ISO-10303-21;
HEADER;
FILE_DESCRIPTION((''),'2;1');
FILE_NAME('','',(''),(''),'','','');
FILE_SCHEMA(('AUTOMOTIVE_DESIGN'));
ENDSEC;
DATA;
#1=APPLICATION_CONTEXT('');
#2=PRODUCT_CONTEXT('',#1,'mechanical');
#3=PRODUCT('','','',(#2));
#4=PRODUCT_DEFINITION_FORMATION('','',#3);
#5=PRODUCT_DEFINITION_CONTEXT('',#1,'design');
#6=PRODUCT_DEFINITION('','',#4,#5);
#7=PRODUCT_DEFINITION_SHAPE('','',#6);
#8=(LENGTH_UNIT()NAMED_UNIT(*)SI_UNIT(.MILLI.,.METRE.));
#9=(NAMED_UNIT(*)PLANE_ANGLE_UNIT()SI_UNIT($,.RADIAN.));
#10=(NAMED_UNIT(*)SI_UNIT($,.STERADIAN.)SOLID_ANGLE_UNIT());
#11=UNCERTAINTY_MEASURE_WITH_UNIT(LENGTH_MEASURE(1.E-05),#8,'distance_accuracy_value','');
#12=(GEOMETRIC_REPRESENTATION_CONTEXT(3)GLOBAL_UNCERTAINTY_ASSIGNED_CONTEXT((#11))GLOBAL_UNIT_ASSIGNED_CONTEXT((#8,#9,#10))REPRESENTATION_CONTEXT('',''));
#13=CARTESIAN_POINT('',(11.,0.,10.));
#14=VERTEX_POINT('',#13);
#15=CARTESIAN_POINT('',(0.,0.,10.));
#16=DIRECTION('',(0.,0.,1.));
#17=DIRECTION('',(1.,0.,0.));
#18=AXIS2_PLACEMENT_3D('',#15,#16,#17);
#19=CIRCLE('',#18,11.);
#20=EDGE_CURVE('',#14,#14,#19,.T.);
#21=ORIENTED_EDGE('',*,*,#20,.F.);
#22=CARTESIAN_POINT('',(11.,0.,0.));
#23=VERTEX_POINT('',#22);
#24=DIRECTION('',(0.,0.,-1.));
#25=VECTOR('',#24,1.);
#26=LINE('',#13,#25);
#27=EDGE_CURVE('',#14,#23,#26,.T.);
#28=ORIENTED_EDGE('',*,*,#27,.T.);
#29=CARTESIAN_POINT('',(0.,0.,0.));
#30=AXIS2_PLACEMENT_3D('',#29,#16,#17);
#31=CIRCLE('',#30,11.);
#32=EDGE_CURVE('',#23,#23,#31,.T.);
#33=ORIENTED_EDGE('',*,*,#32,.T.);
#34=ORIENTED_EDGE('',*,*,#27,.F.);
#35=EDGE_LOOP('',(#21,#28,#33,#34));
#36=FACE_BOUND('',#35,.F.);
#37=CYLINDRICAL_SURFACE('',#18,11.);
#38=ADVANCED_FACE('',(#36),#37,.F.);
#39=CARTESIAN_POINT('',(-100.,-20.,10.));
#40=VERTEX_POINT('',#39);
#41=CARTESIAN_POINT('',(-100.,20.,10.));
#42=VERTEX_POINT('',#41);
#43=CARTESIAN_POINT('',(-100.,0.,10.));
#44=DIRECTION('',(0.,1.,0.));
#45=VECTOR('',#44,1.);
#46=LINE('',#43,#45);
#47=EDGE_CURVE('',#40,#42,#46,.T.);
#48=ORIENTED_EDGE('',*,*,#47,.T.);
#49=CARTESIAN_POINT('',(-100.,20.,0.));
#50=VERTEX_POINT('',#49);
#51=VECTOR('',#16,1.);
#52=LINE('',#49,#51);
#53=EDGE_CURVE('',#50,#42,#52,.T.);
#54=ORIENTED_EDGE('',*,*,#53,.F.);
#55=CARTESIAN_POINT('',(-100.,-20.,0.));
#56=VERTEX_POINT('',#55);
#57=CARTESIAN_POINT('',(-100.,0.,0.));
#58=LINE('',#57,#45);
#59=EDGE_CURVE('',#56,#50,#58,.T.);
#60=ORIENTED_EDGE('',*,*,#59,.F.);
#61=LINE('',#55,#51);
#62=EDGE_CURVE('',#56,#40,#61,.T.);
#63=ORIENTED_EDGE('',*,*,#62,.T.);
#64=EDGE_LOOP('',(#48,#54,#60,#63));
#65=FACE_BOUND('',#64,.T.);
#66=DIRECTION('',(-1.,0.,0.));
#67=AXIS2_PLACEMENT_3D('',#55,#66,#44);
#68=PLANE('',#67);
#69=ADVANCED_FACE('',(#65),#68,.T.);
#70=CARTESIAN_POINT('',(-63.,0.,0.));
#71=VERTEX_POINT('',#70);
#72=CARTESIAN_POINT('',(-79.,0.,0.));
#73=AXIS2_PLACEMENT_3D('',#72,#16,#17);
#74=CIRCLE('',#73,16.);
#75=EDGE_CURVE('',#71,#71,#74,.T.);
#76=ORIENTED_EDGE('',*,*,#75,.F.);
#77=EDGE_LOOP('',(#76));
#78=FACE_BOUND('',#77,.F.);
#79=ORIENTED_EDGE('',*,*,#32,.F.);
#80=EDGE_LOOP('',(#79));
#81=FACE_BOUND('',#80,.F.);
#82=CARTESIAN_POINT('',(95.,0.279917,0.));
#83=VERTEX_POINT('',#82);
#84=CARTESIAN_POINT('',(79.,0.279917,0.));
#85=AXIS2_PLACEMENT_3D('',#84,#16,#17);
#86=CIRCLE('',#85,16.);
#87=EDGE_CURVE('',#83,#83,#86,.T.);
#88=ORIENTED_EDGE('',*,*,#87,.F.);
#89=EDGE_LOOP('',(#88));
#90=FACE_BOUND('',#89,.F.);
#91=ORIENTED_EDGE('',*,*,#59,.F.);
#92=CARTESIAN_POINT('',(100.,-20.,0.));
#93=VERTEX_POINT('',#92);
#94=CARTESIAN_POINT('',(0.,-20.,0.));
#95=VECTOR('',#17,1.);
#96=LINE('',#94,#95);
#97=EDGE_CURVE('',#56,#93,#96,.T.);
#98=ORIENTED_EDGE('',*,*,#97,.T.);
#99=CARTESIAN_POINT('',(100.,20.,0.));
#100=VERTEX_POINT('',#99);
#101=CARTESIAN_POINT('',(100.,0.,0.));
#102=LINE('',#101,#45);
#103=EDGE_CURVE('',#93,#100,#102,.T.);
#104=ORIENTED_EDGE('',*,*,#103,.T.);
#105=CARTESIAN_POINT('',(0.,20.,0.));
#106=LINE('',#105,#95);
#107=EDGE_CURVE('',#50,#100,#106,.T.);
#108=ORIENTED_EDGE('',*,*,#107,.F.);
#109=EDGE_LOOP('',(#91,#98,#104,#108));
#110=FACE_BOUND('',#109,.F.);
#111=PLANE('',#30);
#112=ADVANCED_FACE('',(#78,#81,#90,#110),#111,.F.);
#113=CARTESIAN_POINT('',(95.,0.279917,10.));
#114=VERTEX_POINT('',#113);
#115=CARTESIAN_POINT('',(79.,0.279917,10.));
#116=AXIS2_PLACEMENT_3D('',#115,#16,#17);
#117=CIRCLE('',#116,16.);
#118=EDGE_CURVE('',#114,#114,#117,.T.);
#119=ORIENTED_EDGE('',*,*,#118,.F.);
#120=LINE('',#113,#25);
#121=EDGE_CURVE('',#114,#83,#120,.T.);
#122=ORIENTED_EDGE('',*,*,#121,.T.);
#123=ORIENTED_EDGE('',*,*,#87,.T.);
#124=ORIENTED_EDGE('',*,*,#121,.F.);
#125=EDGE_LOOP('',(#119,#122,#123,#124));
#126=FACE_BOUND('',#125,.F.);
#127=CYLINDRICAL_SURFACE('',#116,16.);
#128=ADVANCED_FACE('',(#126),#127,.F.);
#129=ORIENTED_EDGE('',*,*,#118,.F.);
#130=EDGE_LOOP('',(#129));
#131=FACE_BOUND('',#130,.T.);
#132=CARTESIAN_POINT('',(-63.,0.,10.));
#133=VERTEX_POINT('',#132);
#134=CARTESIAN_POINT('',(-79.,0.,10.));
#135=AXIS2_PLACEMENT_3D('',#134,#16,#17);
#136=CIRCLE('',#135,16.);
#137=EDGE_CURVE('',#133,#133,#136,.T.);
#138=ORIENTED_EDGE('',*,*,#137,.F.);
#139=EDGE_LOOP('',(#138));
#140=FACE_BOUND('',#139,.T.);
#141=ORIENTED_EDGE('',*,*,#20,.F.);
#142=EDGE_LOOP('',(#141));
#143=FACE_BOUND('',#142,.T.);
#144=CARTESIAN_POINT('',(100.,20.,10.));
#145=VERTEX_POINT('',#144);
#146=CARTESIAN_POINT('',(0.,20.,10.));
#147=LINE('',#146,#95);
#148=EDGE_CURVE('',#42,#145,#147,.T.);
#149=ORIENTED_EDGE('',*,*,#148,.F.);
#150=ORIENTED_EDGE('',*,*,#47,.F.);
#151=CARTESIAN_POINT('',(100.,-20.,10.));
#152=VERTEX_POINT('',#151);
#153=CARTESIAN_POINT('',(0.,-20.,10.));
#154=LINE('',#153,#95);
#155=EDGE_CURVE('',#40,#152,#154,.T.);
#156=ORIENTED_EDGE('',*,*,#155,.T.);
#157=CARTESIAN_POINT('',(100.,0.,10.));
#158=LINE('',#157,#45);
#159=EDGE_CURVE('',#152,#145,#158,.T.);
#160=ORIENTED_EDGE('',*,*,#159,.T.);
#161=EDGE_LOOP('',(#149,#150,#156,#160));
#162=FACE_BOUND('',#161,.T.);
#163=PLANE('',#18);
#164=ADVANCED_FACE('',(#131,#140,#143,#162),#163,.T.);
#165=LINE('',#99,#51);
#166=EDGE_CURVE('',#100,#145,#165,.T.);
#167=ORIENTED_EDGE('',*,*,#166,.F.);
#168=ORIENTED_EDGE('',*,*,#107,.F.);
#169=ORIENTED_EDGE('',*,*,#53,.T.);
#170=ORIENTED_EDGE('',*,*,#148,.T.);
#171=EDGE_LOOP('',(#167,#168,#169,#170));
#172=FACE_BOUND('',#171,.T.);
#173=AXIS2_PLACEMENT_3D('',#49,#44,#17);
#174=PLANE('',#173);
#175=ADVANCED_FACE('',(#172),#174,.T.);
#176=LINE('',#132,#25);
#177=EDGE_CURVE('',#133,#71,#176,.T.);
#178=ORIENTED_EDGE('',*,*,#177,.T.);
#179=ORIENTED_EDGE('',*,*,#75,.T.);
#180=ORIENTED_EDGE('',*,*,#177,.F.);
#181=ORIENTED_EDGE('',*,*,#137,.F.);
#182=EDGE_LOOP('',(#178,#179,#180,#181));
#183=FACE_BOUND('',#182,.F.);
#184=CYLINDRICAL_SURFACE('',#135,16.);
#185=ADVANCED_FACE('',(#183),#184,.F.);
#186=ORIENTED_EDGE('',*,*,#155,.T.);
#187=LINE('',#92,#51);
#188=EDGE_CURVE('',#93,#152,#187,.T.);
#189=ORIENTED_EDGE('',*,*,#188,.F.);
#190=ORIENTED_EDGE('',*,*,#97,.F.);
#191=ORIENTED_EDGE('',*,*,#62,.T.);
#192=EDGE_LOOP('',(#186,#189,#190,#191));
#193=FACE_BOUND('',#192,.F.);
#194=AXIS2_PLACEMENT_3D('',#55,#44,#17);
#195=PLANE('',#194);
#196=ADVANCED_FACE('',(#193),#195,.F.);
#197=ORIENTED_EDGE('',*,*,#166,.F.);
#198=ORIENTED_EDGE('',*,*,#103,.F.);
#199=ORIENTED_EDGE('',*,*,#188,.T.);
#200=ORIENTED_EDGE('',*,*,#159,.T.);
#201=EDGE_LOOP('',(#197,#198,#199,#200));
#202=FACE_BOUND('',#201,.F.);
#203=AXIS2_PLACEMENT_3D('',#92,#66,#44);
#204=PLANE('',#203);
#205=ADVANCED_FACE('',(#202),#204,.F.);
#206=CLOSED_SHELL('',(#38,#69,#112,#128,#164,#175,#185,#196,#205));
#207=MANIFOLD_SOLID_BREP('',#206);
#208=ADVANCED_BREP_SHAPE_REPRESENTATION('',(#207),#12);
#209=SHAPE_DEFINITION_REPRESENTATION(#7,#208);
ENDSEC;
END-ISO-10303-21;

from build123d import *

# Parameters (mm, degrees)
F0_W     = 200
F0_H     = 40
F1_DEPTH = 10
F2_R     = 16
F2_R_2   = 11
F3_DEPTH = 10


with BuildPart() as f1:
    # F0 (on Top) → F1 (new body)
    with BuildSketch(Plane.XY):
        Rectangle(F0_W, F0_H)
    extrude(amount=F1_DEPTH)

    # F2 (on face) → F3 (cut)
    with BuildSketch(Plane.XY.offset(10)):
        with Locations((-79, 0)):
            Circle(F2_R)
        with Locations((79, 0.279917)):
            Circle(F2_R)
        Circle(F2_R_2)
    extrude(amount=-F3_DEPTH, mode=Mode.SUBTRACT)


solid = f1.part
